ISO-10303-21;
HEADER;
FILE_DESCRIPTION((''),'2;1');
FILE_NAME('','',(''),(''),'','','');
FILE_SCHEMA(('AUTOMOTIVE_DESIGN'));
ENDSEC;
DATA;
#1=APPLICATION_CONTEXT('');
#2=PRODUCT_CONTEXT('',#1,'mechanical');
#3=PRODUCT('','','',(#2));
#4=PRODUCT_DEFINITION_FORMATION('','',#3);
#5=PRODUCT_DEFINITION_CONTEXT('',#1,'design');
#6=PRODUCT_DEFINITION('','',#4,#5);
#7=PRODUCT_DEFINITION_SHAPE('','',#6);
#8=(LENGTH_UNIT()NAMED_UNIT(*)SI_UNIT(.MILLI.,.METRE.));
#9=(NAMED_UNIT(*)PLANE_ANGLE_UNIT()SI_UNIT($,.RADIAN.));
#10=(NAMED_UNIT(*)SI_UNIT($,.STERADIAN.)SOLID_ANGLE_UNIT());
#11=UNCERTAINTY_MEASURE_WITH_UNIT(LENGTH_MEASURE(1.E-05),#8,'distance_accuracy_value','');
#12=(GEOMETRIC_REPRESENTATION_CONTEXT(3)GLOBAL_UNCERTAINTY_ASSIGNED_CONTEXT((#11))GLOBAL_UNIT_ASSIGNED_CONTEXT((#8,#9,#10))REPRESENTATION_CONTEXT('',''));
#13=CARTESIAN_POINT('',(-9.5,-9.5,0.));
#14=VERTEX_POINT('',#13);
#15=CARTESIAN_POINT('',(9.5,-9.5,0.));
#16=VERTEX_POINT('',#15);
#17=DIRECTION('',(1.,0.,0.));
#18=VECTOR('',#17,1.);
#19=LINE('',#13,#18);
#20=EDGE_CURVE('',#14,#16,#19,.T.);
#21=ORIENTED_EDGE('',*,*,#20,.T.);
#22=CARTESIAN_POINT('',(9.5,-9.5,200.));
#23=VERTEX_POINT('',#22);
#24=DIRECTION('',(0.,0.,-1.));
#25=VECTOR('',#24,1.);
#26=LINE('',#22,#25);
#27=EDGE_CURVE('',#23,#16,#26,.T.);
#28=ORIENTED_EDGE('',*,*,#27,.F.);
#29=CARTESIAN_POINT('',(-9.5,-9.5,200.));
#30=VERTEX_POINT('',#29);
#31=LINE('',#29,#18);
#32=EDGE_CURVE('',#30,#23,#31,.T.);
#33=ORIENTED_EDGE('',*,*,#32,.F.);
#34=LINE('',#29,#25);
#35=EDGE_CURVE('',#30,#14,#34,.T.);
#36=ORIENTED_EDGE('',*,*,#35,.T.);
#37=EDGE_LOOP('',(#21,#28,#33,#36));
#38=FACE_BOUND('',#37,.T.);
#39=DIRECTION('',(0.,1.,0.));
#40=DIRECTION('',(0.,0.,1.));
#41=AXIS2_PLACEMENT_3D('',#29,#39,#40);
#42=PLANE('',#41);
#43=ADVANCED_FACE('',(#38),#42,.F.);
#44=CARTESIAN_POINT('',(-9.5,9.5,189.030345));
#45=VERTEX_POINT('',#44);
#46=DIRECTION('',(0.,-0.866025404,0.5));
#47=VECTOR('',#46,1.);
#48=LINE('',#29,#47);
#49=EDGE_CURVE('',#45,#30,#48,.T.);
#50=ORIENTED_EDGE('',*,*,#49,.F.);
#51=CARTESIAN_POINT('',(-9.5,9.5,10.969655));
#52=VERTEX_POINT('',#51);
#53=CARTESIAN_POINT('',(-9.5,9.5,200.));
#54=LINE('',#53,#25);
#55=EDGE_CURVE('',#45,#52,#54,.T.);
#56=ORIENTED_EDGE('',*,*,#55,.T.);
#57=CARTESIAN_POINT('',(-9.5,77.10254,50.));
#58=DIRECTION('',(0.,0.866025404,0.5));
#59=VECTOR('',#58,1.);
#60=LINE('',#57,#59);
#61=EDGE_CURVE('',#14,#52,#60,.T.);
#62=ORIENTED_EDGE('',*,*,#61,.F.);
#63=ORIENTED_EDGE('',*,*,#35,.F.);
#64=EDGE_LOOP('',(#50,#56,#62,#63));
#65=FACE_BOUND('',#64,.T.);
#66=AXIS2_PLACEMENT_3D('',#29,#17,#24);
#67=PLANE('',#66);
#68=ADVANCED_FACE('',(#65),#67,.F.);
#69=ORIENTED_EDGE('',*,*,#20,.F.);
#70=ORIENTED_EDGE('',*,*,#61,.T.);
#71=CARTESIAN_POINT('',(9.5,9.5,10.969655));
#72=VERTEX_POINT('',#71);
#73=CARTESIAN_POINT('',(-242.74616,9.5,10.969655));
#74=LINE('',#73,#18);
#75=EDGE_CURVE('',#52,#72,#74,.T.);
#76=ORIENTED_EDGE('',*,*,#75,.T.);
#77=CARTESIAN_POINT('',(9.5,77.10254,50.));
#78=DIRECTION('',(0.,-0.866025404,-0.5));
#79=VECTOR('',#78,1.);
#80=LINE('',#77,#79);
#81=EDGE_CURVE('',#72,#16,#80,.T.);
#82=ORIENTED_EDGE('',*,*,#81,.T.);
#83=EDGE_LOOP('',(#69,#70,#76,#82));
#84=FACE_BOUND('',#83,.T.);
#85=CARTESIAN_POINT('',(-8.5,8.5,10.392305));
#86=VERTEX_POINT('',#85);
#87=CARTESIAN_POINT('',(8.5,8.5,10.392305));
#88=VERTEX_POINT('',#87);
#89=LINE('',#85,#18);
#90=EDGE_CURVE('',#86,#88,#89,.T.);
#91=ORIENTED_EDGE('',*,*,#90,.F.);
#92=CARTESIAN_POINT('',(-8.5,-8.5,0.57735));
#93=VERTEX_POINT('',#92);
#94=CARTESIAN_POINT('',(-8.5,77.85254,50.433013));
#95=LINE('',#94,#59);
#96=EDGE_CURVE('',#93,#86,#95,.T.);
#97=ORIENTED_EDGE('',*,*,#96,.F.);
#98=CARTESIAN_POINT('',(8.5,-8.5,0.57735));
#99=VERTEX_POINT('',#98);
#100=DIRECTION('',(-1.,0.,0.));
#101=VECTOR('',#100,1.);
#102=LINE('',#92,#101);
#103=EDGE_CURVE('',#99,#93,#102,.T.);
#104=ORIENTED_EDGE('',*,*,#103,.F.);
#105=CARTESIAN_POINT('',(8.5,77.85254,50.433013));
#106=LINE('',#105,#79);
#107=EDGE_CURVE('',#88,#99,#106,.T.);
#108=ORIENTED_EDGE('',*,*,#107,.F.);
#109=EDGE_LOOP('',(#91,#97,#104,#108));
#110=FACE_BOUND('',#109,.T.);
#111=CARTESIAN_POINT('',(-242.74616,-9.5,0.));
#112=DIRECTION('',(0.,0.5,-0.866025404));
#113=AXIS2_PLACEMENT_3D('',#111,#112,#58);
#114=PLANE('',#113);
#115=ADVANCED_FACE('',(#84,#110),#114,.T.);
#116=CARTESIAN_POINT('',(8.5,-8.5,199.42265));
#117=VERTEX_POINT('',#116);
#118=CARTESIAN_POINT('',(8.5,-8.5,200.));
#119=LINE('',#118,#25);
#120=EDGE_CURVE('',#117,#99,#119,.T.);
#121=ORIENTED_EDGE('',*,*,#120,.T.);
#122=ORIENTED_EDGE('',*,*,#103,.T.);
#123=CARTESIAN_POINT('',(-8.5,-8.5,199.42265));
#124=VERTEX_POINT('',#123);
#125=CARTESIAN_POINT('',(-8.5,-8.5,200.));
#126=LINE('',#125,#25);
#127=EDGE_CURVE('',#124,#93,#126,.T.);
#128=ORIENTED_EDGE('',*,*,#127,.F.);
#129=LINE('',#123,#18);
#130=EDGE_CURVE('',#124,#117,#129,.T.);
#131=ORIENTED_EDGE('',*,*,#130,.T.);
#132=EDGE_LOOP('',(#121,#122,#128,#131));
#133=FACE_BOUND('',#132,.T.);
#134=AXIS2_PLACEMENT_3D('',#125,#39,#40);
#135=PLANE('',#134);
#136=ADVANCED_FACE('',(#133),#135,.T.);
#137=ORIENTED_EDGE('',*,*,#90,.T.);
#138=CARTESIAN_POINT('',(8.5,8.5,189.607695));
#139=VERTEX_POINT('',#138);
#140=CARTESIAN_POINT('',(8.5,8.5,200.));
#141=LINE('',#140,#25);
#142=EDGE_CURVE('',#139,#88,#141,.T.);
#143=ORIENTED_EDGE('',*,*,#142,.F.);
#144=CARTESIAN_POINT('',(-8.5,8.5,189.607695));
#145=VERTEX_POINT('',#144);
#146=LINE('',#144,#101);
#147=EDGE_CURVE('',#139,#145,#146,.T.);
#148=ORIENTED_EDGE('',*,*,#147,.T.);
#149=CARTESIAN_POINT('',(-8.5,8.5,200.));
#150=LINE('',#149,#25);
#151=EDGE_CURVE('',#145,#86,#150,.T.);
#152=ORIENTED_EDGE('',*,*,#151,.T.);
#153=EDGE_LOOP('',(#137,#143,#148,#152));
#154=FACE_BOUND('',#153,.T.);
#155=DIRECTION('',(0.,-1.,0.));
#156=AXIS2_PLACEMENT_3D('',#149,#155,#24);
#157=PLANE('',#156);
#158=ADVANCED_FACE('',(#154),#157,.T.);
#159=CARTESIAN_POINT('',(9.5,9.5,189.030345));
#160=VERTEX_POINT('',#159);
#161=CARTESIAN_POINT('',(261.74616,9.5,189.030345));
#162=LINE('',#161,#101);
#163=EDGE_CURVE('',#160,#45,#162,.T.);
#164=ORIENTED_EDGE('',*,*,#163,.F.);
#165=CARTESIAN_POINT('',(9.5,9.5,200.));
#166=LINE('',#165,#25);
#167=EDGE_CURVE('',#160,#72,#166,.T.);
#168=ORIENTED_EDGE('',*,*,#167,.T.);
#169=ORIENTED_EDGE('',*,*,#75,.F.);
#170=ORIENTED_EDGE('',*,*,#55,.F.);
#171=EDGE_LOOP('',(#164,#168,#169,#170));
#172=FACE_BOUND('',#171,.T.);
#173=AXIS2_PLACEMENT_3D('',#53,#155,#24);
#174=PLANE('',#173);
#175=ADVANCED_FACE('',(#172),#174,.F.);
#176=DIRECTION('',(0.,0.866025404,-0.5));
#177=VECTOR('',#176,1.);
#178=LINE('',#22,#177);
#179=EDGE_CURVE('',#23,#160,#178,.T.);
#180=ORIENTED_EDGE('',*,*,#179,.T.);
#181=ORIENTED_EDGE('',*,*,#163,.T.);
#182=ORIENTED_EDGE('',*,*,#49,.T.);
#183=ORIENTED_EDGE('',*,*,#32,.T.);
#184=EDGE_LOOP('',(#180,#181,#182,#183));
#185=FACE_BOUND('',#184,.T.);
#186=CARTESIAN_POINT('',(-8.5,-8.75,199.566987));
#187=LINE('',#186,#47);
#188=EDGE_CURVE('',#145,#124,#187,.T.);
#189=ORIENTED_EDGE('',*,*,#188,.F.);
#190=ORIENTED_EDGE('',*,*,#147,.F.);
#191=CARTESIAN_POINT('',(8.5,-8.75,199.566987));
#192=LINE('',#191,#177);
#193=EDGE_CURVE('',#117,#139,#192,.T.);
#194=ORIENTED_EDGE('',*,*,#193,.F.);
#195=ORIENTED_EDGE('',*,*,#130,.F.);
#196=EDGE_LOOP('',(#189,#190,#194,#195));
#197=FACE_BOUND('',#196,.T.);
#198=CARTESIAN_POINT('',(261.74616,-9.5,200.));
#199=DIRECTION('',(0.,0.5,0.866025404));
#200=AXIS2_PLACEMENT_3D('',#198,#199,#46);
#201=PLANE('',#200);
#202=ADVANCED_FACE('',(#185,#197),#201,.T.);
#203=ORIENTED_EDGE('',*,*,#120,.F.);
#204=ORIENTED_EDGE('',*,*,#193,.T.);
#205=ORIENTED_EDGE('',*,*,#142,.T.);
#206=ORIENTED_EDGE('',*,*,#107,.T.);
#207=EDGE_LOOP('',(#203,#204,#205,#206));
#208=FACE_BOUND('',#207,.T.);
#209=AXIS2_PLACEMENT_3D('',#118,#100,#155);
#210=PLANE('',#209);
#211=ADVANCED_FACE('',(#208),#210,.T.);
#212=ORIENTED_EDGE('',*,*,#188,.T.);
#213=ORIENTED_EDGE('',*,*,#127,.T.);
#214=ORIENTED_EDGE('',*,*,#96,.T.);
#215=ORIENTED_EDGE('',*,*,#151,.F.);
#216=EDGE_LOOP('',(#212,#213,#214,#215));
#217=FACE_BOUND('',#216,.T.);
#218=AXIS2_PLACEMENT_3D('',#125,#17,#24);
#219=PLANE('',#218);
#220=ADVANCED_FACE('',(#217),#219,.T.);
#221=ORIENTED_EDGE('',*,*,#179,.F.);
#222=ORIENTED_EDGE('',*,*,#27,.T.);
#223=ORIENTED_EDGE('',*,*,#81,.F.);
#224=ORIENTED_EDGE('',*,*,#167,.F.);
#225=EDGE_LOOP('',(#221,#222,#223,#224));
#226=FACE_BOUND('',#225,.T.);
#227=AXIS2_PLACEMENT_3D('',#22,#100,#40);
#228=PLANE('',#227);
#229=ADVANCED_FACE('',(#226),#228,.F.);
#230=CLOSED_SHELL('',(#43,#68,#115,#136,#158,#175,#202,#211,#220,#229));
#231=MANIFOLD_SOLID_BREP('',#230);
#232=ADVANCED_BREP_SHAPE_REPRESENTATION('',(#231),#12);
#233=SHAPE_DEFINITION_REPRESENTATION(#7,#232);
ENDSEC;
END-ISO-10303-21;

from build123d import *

# Parameters (mm, degrees)
SKETCH1_W               = 19
SKETCH1_H               = 19
SKETCH1_W_2             = 17
SKETCH1_H_2             = 17
BOSS_EXTRUDE1_DEPTH     = 200
CUT_EXTRUDE1_DEPTH      = 1
CUT_EXTRUDE1_DEPTH_BACK = 20
CUT_EXTRUDE2_DEPTH      = 1
CUT_EXTRUDE2_DEPTH_BACK = 20


with BuildPart() as part:
    # Sketch1 → Boss-Extrude1 (new body)
    with BuildSketch(Plane.XY):
        Rectangle(SKETCH1_W, SKETCH1_H)
        Rectangle(SKETCH1_W_2, SKETCH1_H_2, mode=Mode.SUBTRACT)
    extrude(amount=BOSS_EXTRUDE1_DEPTH)

    # Sketch2 → Cut-Extrude1 (cut, two sides)
    with BuildSketch(Plane(origin=(9.5, 0, 0), x_dir=(0, 0, -1), z_dir=(1, 0, 0))) as cut_extrude1_sk:
        Polygon((-405.900472872, -366.130080316), (-200, -9.5), (-189.030344885, 9.5), (16.870127986, 366.130080316), (-696.390032646, 777.931026059), (-1119.160633503, 45.670865427), align=None)
    extrude(amount=CUT_EXTRUDE1_DEPTH, mode=Mode.SUBTRACT)
    extrude(cut_extrude1_sk.sketch, amount=-CUT_EXTRUDE1_DEPTH_BACK, mode=Mode.SUBTRACT)

    # Sketch3 → Cut-Extrude2 (cut, two sides)
    with BuildSketch(Plane(origin=(9.5, 0, 0), x_dir=(0, 0, -1), z_dir=(1, 0, 0))) as cut_extrude2_sk:
        Polygon((205.900472872, -366.130080316), (0, -9.5), (-10.969655115, 9.5), (-216.870127986, 366.130080316), (496.390032646, 777.931026059), (919.160633503, 45.670865427), align=None)
    extrude(amount=CUT_EXTRUDE2_DEPTH, mode=Mode.SUBTRACT)
    extrude(cut_extrude2_sk.sketch, amount=-CUT_EXTRUDE2_DEPTH_BACK, mode=Mode.SUBTRACT)


solid = part.part
